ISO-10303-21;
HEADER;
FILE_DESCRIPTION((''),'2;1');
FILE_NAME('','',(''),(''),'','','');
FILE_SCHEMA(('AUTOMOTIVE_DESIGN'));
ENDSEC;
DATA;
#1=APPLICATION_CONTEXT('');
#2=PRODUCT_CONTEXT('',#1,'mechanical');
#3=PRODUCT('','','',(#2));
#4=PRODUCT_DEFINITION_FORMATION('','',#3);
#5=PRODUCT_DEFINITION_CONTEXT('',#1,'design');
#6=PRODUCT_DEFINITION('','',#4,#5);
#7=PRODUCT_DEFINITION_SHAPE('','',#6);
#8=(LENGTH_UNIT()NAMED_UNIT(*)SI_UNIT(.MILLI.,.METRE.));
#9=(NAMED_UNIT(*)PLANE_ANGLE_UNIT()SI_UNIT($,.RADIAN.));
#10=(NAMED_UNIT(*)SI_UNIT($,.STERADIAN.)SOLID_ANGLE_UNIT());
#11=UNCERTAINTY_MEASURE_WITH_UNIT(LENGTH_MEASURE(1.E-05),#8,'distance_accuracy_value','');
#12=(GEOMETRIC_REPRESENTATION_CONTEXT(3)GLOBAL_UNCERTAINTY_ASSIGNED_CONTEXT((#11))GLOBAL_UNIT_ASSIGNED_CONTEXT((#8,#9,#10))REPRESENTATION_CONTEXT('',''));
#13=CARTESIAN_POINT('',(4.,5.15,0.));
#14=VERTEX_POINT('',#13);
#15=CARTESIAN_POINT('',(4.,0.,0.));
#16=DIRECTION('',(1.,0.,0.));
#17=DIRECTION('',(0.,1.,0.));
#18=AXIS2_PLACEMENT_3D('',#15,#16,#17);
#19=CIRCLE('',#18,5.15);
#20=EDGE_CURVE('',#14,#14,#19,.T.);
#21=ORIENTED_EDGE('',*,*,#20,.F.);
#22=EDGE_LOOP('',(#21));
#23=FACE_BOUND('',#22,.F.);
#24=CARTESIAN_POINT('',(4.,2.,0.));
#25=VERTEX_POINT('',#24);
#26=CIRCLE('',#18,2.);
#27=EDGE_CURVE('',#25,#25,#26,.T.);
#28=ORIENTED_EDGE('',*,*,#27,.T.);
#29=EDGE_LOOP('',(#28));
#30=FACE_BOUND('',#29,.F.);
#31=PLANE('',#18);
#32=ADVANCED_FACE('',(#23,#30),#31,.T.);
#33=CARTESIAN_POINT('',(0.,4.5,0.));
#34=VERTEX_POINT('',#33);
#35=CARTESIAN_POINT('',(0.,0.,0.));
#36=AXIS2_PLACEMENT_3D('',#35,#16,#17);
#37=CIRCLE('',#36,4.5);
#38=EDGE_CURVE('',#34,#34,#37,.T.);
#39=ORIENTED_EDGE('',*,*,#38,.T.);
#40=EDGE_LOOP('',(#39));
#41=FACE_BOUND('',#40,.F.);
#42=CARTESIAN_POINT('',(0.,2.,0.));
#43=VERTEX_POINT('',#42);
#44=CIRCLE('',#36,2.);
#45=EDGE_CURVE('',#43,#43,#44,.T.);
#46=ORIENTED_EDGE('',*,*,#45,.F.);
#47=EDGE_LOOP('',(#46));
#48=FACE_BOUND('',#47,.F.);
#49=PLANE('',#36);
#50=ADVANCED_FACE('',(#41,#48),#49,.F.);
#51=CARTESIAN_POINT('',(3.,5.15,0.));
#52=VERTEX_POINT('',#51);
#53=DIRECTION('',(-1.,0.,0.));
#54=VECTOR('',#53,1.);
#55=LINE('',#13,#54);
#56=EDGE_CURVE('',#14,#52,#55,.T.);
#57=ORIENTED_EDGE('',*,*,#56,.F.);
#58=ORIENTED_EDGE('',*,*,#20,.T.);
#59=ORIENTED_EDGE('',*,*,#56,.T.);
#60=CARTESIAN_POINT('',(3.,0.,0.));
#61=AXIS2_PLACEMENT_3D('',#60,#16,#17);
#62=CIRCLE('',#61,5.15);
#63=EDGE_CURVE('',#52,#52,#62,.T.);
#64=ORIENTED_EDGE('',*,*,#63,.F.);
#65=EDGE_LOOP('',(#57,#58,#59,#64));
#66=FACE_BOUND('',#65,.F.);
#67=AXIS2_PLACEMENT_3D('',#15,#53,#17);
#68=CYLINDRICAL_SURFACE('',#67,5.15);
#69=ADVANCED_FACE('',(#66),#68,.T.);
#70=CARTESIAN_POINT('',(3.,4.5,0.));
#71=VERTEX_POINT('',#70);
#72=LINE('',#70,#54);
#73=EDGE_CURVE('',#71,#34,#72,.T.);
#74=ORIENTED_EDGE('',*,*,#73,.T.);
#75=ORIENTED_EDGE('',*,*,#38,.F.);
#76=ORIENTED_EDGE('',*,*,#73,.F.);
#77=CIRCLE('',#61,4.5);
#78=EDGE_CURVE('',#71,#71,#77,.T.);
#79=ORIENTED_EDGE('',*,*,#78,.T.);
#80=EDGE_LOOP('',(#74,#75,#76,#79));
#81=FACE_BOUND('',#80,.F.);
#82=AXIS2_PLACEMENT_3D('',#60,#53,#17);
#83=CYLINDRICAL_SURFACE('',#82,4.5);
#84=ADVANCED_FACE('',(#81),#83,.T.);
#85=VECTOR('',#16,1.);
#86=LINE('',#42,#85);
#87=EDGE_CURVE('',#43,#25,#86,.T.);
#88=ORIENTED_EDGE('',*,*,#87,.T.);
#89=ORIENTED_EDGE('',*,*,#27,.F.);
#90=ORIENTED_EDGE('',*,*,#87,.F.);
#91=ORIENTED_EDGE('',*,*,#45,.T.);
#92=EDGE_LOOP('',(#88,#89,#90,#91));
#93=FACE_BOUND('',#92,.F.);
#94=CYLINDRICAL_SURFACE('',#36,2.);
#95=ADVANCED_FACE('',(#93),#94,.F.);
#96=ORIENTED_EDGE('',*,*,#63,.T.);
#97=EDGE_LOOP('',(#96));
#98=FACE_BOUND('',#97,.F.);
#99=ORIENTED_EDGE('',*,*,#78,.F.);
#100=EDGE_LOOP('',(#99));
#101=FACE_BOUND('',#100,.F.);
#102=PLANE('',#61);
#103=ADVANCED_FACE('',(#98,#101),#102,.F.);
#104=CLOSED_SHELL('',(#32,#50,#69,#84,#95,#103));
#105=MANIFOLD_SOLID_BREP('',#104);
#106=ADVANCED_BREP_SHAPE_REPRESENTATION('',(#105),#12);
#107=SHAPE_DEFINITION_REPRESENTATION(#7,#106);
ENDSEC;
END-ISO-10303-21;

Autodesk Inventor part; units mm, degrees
ref_plane "YZ Plane" through (0, 0, 0) normal (1, 0, 0) x (0, 1, 0)
ref_plane "XZ Plane" through (0, 0, 0) normal (0, 1, 0) x (-1, 0, 0)
ref_plane "XY Plane" through (0, 0, 0) normal (0, 0, 1) x (1, 0, 0)
sketch "スケッチ1" plane through (0, 0, 0) normal (0, 0, 1) x (1, 0, 0)
  line L0 (0, 2) -> (4, 2)
  line L1 (4, 2) -> (4, 5.15)
  line L2 (4, 5.15) -> (3, 5.15)
  line L3 (3, 5.15) -> (3, 4.5)
  line L4 (3, 4.5) -> (0, 4.5)
  line L5 (0, 4.5) -> (0, 2)
  line L6 (-0.8, 0) -> (4.8, 0) projected
  point P0 (0, 0)
  dimension "d0" = 1
  dimension "d1" = 4
  dimension "d2" = 2
  dimension "d3" = 4.5
  dimension "d4" = 5.15
revolve "回転1" add sketch "スケッチ1" angle 360 about axis through (-10, 0, 0) along (1, 0, 0)
properties part number "bearing_f684zz"
